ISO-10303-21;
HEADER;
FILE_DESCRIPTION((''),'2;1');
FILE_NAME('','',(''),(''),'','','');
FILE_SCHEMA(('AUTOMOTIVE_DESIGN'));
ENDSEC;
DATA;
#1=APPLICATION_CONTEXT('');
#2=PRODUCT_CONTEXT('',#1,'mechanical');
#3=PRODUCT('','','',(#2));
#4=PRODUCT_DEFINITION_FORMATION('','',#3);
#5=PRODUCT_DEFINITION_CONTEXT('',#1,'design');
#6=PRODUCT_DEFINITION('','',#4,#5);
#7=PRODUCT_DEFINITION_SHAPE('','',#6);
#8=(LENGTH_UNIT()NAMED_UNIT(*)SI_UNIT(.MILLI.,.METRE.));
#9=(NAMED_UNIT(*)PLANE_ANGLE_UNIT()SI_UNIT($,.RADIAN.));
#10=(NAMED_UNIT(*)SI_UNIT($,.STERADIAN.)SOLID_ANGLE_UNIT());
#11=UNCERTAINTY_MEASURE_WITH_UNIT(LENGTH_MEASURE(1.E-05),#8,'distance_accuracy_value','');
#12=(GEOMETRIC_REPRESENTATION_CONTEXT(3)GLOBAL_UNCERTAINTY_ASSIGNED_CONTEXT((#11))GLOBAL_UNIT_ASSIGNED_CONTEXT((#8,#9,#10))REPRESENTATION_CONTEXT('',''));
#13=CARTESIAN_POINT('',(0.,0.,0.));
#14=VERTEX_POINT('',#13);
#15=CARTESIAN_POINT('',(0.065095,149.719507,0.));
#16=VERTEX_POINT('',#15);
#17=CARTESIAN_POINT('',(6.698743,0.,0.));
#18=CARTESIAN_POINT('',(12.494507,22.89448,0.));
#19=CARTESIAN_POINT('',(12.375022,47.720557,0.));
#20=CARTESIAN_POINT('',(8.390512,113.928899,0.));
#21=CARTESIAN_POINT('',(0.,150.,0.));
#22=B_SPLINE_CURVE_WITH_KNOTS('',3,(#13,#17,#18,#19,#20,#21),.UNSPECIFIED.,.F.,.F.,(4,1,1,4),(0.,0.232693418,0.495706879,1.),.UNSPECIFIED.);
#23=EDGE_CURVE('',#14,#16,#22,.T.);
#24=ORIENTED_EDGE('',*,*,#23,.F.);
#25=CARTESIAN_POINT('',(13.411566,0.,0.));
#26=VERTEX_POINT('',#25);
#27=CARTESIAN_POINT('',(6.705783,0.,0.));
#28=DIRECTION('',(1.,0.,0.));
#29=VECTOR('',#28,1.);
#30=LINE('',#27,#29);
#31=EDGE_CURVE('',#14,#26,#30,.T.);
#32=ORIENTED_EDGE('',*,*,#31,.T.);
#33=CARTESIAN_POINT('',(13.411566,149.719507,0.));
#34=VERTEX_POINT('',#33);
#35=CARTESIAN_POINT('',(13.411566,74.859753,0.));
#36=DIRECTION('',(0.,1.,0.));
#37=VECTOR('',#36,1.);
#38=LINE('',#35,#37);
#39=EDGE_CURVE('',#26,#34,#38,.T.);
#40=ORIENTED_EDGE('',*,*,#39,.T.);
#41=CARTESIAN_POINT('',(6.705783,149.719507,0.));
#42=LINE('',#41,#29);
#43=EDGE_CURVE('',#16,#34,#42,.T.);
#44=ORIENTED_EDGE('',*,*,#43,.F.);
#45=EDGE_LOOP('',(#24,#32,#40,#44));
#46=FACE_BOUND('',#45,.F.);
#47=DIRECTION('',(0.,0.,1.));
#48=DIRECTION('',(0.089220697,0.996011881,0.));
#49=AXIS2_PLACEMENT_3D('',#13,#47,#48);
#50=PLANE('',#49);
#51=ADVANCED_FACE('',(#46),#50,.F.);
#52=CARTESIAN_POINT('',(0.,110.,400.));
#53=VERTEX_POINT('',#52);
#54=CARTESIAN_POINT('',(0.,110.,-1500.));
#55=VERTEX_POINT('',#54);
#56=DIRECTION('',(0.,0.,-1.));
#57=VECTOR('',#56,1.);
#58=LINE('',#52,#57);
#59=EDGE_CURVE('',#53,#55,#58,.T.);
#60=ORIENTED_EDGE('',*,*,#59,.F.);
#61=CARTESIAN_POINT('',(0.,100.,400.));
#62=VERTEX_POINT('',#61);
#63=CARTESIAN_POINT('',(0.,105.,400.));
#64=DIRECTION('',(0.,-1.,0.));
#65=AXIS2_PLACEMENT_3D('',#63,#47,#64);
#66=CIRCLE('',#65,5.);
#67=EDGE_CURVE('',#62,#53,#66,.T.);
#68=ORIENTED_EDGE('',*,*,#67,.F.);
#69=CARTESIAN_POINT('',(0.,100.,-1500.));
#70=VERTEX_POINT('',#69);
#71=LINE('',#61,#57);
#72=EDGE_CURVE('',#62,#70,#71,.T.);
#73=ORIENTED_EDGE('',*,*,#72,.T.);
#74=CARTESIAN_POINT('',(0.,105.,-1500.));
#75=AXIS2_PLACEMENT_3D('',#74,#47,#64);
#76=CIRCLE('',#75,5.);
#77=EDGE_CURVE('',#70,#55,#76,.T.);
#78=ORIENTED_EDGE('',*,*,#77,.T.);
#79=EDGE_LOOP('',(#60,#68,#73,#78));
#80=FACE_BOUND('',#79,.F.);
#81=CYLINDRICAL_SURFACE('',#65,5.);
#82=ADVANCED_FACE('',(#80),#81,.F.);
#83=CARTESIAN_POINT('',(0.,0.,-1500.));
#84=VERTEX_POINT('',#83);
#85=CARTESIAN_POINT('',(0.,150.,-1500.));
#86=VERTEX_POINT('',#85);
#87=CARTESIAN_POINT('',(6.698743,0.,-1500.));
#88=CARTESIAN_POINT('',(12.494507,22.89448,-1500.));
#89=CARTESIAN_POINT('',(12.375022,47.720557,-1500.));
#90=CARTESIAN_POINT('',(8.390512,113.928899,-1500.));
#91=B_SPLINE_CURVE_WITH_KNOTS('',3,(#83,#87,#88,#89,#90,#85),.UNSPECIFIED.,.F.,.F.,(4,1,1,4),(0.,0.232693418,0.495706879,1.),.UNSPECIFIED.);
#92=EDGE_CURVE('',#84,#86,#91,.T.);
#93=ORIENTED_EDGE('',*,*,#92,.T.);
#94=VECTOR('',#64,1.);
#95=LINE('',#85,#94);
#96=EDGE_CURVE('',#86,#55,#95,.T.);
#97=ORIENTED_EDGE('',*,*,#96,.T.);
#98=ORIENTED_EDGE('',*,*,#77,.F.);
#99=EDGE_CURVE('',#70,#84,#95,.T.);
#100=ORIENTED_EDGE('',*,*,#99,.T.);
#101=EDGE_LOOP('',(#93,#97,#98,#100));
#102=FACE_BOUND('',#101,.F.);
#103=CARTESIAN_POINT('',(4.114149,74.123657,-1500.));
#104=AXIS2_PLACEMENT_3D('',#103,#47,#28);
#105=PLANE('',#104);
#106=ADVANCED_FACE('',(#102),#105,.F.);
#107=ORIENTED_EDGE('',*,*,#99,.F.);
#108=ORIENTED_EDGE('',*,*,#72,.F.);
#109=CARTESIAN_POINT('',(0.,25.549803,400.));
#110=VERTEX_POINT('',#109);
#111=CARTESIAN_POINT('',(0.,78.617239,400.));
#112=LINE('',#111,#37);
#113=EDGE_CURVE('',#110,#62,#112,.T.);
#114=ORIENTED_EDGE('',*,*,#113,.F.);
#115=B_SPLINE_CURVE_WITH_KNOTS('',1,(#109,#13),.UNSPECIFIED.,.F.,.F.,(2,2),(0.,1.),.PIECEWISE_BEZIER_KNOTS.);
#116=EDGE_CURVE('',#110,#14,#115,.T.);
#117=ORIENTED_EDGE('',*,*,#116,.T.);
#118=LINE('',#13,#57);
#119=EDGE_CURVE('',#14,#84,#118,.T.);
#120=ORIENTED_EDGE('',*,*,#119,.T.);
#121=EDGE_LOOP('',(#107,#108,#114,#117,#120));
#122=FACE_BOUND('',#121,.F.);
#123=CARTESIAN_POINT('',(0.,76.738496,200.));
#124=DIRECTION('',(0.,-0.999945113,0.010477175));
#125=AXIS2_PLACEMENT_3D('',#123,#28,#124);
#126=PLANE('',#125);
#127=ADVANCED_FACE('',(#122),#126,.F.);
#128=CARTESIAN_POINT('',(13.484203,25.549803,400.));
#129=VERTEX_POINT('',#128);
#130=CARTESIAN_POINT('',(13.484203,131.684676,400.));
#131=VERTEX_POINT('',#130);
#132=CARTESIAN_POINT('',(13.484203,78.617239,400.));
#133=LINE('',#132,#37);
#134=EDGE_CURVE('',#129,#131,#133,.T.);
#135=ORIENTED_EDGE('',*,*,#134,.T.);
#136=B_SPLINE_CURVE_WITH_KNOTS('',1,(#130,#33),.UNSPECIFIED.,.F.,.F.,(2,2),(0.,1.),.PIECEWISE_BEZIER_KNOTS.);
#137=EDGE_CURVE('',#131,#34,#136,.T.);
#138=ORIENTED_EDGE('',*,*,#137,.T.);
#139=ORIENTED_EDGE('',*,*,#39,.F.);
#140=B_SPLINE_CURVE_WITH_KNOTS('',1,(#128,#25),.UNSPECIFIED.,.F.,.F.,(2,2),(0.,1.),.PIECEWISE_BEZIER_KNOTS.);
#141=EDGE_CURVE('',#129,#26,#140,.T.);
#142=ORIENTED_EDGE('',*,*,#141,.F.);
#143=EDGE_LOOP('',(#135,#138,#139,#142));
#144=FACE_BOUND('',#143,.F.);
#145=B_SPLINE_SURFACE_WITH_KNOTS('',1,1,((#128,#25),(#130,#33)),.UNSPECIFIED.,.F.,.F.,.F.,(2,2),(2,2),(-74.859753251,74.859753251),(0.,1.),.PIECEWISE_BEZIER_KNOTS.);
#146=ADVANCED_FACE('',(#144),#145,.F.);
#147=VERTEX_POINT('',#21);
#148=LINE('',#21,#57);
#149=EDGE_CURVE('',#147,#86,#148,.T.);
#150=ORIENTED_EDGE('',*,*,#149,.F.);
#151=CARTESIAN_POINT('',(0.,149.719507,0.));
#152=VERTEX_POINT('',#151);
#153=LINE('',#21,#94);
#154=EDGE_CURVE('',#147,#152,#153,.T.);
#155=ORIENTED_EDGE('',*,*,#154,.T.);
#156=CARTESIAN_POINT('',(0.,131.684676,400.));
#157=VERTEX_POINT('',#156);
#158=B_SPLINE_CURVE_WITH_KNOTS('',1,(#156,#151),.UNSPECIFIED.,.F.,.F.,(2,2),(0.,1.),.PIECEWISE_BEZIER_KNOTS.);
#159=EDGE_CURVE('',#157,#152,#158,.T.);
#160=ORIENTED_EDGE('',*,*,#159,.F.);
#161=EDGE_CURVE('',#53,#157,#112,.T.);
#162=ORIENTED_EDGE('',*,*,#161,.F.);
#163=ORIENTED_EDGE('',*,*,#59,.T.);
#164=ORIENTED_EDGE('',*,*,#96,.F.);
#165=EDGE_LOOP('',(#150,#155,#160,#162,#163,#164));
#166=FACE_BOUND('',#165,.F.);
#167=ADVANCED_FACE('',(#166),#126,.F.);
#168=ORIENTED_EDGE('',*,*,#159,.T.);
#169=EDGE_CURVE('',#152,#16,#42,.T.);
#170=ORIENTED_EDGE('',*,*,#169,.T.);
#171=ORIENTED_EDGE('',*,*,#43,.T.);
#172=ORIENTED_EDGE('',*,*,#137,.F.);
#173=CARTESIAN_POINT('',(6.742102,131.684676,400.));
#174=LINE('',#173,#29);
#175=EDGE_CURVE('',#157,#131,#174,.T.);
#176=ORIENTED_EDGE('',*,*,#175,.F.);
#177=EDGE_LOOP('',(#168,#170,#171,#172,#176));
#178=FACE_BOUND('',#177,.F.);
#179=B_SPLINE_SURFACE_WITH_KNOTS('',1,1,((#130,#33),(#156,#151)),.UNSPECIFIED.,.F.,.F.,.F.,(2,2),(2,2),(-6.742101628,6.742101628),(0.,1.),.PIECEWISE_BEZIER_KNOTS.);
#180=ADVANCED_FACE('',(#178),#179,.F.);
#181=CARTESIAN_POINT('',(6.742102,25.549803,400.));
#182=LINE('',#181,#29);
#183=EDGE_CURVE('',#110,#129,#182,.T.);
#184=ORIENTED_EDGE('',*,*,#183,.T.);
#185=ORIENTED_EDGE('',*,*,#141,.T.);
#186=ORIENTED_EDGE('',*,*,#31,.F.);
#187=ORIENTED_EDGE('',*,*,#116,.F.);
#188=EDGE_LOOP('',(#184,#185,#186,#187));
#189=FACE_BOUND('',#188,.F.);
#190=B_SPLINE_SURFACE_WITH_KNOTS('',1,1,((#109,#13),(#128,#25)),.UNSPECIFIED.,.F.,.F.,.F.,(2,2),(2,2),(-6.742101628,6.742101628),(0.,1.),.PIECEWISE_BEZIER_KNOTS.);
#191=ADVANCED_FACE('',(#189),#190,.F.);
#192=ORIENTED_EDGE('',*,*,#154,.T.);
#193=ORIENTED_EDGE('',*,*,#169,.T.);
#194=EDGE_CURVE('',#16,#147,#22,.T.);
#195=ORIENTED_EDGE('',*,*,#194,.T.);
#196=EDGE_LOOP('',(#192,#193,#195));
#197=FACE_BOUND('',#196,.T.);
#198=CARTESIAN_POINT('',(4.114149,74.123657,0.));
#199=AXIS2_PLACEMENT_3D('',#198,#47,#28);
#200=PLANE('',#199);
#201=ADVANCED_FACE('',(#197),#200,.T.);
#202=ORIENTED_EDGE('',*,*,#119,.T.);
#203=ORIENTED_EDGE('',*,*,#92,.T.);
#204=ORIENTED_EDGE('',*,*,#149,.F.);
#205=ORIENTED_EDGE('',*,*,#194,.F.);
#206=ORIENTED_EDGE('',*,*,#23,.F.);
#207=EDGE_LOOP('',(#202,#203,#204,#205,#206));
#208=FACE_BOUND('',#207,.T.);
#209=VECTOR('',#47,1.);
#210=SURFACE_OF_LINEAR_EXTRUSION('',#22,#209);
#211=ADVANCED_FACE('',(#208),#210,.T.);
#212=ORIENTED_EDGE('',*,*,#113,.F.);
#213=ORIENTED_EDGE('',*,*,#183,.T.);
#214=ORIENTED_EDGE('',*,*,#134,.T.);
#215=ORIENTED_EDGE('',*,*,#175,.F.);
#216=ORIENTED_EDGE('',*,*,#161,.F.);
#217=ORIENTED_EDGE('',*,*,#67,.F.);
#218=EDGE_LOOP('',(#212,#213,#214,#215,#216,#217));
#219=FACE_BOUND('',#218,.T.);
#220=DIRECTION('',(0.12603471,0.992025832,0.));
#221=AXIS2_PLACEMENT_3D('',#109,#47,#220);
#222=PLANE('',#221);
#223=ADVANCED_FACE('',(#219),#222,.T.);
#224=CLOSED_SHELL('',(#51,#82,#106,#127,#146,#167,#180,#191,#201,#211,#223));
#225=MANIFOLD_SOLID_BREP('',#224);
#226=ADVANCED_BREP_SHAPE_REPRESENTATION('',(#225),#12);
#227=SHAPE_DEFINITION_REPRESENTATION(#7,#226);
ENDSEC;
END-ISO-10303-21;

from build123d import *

# Parameters (mm, degrees)
F1_DEPTH = 1500
F4_W     = 13.4842032567
F4_H     = 106.1348728836
F2_W     = 13.4115656838
F2_H     = 149.7195065022
F7_DEPTH = 1900.0010001


with BuildPart() as f1:
    # F0 (on Top) → F1 (new body)
    with BuildSketch(Plane.XY):
        with BuildLine():
            Line((0, 150), (0, 0))
            add(Edge.make_bspline(
                [(0, 0), (6.6987425555, 0), (12.4945073223, 22.8944801293), (12.3750223708, 47.7205565423), (8.3905121297, 113.9288991183), (0, 150)],
                knots=[0, 0, 0, 0, 0.2326934184, 0.4957068785, 1, 1, 1, 1], degree=3))
        make_face()
    extrude(amount=-F1_DEPTH)

    # F4 (on offset) → F5 section 0
    with BuildSketch(Plane.XY.offset(400)):
        with Locations((6.7421016283, 78.6172393709)):
            Rectangle(F4_W, F4_H)
    # F2 (on Top) → F5 section 1
    with BuildSketch(Plane.XY):
        with Locations((6.7057828419, 74.8597532511)):
            Rectangle(F2_W, F2_H)
    loft()

    # F6 (on offset) → F7 (cut, through all)
    with BuildSketch(Plane.XY.offset(400)):
        with BuildLine():
            Line((0, 110), (0, 100))
            ThreePointArc((0, 100), (5, 105), (0, 110))
        make_face()
    extrude(amount=-F7_DEPTH, mode=Mode.SUBTRACT)


solid = f1.part
